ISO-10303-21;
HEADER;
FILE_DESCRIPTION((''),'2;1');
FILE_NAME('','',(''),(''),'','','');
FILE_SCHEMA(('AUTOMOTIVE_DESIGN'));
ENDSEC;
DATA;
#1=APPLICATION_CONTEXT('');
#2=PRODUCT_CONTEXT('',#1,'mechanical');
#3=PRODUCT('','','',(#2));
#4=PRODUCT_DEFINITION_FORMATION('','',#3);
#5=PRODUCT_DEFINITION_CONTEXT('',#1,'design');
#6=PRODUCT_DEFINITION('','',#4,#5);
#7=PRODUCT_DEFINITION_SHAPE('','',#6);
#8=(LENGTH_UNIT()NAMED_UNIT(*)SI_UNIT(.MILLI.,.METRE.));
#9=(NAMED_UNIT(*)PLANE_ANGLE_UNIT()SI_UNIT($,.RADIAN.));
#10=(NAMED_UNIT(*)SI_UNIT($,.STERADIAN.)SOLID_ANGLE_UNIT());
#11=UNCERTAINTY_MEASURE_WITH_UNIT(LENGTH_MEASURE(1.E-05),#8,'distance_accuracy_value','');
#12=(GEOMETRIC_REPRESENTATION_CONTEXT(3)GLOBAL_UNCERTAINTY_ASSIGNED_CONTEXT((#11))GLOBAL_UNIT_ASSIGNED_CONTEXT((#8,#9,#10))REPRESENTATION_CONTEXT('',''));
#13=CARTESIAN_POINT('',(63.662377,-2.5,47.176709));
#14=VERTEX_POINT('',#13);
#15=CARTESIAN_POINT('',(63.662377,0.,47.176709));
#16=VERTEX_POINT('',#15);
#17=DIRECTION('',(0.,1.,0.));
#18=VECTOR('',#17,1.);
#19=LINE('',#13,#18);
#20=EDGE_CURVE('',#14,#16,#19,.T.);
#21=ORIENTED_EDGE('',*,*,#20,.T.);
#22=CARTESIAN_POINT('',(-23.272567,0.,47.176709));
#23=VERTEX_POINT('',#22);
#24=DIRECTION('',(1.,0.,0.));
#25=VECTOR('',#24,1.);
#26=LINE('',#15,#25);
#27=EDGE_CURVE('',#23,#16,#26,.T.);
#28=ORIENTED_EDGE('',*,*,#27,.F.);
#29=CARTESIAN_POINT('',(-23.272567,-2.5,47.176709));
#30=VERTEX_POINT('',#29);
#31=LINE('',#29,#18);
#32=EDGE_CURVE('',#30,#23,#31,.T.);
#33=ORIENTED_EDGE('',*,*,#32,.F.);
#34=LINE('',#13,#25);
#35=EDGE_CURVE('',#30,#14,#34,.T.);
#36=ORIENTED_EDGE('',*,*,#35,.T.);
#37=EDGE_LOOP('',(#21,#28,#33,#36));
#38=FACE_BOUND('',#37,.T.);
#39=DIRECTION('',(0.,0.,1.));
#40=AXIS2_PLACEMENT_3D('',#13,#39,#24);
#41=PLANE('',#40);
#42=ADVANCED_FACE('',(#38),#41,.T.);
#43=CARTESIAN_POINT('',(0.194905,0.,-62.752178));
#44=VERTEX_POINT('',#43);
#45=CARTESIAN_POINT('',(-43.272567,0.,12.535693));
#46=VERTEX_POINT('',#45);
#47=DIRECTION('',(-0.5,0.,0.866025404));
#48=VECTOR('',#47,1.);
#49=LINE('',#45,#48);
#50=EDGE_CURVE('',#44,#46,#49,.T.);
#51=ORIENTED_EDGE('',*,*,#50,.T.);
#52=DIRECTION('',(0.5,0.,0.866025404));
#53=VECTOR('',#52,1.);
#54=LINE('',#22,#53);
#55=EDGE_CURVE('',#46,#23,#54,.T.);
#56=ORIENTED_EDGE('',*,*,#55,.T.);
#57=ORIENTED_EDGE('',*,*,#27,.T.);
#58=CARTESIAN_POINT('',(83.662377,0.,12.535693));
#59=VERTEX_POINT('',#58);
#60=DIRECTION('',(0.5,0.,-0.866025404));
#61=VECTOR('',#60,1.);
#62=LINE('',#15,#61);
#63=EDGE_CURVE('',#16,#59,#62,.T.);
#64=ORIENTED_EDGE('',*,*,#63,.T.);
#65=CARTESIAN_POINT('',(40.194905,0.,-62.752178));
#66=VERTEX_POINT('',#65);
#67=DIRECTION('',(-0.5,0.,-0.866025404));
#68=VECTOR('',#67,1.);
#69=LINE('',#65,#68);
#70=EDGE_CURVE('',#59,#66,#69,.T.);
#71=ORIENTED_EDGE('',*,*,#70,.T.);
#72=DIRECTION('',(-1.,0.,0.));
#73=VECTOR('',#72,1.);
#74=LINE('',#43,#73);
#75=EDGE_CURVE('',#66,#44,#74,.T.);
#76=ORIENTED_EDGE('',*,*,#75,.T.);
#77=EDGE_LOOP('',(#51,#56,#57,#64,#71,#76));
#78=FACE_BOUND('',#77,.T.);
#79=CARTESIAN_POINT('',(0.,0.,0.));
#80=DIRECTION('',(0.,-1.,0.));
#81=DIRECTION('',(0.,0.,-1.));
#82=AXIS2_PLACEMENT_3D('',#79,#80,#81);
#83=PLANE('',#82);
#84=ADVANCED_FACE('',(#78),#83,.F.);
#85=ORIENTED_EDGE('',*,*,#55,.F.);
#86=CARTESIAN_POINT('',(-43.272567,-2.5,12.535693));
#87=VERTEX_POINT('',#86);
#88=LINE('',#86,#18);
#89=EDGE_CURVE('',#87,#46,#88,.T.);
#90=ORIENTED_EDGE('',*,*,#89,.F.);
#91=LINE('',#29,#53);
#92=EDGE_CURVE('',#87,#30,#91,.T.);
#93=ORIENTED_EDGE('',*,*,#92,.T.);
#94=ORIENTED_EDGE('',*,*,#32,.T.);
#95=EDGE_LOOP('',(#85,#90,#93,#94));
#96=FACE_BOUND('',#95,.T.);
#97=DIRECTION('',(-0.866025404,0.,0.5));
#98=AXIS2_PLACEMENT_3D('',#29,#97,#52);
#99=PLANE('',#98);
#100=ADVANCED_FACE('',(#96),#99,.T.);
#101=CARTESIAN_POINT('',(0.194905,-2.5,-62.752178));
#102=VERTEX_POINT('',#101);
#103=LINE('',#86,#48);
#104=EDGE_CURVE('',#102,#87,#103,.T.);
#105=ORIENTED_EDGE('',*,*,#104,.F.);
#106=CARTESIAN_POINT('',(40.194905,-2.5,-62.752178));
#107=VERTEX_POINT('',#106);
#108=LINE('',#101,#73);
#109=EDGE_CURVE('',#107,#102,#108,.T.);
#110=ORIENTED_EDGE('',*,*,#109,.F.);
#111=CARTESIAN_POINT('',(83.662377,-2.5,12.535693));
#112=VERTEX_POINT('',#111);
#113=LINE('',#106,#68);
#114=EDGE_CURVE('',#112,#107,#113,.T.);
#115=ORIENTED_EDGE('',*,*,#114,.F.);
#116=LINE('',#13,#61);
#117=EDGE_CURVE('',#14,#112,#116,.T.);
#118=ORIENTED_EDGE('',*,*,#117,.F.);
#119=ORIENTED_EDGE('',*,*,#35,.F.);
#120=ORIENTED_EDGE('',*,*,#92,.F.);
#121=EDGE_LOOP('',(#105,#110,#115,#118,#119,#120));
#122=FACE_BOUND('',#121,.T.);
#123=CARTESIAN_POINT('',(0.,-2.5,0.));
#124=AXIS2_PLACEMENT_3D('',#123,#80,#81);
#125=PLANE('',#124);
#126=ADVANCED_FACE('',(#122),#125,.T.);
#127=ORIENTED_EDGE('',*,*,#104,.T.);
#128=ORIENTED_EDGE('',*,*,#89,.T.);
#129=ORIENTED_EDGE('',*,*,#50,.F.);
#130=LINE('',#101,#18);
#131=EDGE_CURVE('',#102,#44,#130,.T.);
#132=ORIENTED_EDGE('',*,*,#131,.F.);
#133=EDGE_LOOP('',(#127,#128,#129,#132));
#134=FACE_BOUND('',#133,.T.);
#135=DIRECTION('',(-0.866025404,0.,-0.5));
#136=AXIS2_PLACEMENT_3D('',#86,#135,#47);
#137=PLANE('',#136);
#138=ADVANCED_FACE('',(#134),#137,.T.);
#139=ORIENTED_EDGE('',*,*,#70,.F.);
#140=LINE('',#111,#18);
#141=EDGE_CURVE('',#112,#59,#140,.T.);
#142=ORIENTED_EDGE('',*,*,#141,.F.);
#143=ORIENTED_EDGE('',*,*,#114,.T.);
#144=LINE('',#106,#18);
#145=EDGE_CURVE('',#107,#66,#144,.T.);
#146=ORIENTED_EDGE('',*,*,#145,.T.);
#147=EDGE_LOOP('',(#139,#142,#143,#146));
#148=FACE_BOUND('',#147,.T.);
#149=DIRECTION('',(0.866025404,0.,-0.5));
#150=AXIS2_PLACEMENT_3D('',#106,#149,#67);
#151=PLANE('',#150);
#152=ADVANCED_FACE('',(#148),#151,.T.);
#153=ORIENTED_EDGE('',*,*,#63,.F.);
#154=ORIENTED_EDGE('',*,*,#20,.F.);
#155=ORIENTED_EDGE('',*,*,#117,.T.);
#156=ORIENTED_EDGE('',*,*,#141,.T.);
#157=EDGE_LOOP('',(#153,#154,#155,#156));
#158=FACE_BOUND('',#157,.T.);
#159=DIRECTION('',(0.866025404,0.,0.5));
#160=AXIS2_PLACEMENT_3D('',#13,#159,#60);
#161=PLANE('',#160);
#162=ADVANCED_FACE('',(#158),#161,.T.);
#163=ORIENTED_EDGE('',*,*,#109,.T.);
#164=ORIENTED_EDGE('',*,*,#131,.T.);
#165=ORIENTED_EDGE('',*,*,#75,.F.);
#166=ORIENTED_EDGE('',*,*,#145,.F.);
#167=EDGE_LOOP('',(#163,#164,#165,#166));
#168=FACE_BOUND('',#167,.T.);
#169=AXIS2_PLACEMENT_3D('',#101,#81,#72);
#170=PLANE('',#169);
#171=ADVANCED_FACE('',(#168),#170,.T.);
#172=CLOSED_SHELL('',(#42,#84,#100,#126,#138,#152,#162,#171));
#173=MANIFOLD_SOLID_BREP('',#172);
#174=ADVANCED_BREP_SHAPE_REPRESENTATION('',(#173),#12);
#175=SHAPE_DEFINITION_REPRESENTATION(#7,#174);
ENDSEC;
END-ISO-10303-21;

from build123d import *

# Parameters (mm, degrees)
BOSS_EXTRUDE1_DEPTH = 2.5


with BuildPart() as part:
    # Sketch1 → Boss-Extrude1 (new body)
    with BuildSketch(Plane(origin=(0, 0, 0), x_dir=(1, 0, 0), z_dir=(0, 1, 0))):
        Polygon((0.194905289, 62.752177974), (40.194905197, 62.752177974), (83.66237749, -12.535692514), (63.66237749, -47.176708666), (-23.272567004, -47.176708666), (-43.272567004, -12.535692514), align=None)
    extrude(amount=-BOSS_EXTRUDE1_DEPTH)


solid = part.part
